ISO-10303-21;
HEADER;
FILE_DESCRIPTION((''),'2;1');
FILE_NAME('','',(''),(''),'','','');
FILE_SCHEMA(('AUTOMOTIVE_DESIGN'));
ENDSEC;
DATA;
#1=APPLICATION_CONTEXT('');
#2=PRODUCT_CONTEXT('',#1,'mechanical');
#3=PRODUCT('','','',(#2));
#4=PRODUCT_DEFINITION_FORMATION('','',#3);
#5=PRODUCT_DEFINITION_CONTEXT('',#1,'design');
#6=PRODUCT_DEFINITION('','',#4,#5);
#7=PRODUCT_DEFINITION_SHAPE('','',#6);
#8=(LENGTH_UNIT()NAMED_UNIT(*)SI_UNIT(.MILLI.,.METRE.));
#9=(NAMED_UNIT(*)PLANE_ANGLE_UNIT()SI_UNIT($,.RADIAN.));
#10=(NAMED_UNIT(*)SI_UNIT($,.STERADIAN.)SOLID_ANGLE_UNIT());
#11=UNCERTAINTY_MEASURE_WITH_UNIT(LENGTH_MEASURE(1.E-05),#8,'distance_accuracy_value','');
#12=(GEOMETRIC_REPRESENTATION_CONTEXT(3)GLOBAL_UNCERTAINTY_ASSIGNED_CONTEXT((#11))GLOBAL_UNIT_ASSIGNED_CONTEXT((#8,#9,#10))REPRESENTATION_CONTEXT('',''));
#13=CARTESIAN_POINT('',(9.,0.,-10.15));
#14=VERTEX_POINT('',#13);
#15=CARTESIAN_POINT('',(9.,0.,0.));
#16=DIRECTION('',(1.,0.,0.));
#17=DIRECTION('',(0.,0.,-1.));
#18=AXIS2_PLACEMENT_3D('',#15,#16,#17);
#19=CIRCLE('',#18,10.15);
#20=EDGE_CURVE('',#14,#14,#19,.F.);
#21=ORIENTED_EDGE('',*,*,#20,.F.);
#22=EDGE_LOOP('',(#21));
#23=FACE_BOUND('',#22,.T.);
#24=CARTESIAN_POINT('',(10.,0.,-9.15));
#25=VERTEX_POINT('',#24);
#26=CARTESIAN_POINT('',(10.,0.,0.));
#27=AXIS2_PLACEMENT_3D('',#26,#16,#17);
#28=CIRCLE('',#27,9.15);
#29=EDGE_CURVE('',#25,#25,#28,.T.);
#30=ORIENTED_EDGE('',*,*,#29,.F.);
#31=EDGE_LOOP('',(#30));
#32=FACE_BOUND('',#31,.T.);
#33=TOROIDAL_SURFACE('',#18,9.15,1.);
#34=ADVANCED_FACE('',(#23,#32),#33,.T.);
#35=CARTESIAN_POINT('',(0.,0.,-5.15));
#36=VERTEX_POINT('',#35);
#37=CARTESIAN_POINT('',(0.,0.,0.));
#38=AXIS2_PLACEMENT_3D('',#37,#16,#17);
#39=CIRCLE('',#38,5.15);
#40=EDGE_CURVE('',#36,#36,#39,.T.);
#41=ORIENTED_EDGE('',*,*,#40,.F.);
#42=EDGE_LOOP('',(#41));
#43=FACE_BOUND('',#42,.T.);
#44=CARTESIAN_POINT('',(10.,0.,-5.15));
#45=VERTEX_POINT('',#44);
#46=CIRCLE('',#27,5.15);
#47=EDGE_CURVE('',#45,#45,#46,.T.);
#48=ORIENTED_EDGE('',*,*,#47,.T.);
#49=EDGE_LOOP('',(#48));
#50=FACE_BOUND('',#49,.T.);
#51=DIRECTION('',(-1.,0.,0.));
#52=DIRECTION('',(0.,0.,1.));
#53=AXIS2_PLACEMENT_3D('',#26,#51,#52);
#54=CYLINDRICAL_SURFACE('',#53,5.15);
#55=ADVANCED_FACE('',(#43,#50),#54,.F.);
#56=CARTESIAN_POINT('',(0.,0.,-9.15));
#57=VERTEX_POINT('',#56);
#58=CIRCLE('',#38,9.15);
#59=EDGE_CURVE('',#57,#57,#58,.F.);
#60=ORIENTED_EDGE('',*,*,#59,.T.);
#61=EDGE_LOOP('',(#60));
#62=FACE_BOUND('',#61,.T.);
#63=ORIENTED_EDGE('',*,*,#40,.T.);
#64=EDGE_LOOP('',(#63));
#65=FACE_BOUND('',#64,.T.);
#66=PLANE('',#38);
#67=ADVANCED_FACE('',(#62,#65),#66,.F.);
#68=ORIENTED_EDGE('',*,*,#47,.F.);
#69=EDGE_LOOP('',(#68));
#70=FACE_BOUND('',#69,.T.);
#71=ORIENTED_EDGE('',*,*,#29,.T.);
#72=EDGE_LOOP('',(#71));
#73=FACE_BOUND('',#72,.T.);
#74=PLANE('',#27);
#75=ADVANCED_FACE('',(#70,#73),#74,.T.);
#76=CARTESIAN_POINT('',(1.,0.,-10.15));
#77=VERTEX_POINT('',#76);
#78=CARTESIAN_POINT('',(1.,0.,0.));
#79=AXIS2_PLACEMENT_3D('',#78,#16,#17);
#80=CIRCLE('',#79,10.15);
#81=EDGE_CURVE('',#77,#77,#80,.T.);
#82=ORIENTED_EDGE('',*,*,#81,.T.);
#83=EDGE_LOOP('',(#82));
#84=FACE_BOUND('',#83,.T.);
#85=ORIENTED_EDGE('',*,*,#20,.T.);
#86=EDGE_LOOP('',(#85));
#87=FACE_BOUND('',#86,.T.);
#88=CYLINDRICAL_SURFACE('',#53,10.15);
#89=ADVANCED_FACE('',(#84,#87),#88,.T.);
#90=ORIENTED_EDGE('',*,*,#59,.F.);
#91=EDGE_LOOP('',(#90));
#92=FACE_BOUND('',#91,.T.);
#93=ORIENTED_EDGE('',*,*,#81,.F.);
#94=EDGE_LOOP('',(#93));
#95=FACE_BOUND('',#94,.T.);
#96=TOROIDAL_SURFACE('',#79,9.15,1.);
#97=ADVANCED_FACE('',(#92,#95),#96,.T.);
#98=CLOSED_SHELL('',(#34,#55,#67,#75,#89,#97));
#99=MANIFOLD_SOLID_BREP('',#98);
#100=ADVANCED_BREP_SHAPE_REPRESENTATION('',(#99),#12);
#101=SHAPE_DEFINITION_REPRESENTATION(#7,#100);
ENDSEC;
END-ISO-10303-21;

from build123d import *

# Parameters (mm, degrees)
SKETCH1_R           = 10.15
SKETCH1_R_2         = 5.15
BOSS_EXTRUDE1_DEPTH = 10
FILLET1_R           = 1


with BuildPart() as part:
    # Sketch1 → Boss-Extrude1 (new body)
    with BuildSketch(Plane(origin=(0, 0, 0), x_dir=(0, 0, -1), z_dir=(1, 0, 0))):
        Circle(SKETCH1_R)
        Circle(SKETCH1_R_2, mode=Mode.SUBTRACT)
    extrude(amount=BOSS_EXTRUDE1_DEPTH)

    # Fillet1
    fillet1_edges = [part.edges().sort_by_distance(p)[0] for p in [
        (0, 0, 10.15),
        (10, 0, 10.15),
    ]]
    fillet(fillet1_edges, radius=FILLET1_R)


solid = part.part
